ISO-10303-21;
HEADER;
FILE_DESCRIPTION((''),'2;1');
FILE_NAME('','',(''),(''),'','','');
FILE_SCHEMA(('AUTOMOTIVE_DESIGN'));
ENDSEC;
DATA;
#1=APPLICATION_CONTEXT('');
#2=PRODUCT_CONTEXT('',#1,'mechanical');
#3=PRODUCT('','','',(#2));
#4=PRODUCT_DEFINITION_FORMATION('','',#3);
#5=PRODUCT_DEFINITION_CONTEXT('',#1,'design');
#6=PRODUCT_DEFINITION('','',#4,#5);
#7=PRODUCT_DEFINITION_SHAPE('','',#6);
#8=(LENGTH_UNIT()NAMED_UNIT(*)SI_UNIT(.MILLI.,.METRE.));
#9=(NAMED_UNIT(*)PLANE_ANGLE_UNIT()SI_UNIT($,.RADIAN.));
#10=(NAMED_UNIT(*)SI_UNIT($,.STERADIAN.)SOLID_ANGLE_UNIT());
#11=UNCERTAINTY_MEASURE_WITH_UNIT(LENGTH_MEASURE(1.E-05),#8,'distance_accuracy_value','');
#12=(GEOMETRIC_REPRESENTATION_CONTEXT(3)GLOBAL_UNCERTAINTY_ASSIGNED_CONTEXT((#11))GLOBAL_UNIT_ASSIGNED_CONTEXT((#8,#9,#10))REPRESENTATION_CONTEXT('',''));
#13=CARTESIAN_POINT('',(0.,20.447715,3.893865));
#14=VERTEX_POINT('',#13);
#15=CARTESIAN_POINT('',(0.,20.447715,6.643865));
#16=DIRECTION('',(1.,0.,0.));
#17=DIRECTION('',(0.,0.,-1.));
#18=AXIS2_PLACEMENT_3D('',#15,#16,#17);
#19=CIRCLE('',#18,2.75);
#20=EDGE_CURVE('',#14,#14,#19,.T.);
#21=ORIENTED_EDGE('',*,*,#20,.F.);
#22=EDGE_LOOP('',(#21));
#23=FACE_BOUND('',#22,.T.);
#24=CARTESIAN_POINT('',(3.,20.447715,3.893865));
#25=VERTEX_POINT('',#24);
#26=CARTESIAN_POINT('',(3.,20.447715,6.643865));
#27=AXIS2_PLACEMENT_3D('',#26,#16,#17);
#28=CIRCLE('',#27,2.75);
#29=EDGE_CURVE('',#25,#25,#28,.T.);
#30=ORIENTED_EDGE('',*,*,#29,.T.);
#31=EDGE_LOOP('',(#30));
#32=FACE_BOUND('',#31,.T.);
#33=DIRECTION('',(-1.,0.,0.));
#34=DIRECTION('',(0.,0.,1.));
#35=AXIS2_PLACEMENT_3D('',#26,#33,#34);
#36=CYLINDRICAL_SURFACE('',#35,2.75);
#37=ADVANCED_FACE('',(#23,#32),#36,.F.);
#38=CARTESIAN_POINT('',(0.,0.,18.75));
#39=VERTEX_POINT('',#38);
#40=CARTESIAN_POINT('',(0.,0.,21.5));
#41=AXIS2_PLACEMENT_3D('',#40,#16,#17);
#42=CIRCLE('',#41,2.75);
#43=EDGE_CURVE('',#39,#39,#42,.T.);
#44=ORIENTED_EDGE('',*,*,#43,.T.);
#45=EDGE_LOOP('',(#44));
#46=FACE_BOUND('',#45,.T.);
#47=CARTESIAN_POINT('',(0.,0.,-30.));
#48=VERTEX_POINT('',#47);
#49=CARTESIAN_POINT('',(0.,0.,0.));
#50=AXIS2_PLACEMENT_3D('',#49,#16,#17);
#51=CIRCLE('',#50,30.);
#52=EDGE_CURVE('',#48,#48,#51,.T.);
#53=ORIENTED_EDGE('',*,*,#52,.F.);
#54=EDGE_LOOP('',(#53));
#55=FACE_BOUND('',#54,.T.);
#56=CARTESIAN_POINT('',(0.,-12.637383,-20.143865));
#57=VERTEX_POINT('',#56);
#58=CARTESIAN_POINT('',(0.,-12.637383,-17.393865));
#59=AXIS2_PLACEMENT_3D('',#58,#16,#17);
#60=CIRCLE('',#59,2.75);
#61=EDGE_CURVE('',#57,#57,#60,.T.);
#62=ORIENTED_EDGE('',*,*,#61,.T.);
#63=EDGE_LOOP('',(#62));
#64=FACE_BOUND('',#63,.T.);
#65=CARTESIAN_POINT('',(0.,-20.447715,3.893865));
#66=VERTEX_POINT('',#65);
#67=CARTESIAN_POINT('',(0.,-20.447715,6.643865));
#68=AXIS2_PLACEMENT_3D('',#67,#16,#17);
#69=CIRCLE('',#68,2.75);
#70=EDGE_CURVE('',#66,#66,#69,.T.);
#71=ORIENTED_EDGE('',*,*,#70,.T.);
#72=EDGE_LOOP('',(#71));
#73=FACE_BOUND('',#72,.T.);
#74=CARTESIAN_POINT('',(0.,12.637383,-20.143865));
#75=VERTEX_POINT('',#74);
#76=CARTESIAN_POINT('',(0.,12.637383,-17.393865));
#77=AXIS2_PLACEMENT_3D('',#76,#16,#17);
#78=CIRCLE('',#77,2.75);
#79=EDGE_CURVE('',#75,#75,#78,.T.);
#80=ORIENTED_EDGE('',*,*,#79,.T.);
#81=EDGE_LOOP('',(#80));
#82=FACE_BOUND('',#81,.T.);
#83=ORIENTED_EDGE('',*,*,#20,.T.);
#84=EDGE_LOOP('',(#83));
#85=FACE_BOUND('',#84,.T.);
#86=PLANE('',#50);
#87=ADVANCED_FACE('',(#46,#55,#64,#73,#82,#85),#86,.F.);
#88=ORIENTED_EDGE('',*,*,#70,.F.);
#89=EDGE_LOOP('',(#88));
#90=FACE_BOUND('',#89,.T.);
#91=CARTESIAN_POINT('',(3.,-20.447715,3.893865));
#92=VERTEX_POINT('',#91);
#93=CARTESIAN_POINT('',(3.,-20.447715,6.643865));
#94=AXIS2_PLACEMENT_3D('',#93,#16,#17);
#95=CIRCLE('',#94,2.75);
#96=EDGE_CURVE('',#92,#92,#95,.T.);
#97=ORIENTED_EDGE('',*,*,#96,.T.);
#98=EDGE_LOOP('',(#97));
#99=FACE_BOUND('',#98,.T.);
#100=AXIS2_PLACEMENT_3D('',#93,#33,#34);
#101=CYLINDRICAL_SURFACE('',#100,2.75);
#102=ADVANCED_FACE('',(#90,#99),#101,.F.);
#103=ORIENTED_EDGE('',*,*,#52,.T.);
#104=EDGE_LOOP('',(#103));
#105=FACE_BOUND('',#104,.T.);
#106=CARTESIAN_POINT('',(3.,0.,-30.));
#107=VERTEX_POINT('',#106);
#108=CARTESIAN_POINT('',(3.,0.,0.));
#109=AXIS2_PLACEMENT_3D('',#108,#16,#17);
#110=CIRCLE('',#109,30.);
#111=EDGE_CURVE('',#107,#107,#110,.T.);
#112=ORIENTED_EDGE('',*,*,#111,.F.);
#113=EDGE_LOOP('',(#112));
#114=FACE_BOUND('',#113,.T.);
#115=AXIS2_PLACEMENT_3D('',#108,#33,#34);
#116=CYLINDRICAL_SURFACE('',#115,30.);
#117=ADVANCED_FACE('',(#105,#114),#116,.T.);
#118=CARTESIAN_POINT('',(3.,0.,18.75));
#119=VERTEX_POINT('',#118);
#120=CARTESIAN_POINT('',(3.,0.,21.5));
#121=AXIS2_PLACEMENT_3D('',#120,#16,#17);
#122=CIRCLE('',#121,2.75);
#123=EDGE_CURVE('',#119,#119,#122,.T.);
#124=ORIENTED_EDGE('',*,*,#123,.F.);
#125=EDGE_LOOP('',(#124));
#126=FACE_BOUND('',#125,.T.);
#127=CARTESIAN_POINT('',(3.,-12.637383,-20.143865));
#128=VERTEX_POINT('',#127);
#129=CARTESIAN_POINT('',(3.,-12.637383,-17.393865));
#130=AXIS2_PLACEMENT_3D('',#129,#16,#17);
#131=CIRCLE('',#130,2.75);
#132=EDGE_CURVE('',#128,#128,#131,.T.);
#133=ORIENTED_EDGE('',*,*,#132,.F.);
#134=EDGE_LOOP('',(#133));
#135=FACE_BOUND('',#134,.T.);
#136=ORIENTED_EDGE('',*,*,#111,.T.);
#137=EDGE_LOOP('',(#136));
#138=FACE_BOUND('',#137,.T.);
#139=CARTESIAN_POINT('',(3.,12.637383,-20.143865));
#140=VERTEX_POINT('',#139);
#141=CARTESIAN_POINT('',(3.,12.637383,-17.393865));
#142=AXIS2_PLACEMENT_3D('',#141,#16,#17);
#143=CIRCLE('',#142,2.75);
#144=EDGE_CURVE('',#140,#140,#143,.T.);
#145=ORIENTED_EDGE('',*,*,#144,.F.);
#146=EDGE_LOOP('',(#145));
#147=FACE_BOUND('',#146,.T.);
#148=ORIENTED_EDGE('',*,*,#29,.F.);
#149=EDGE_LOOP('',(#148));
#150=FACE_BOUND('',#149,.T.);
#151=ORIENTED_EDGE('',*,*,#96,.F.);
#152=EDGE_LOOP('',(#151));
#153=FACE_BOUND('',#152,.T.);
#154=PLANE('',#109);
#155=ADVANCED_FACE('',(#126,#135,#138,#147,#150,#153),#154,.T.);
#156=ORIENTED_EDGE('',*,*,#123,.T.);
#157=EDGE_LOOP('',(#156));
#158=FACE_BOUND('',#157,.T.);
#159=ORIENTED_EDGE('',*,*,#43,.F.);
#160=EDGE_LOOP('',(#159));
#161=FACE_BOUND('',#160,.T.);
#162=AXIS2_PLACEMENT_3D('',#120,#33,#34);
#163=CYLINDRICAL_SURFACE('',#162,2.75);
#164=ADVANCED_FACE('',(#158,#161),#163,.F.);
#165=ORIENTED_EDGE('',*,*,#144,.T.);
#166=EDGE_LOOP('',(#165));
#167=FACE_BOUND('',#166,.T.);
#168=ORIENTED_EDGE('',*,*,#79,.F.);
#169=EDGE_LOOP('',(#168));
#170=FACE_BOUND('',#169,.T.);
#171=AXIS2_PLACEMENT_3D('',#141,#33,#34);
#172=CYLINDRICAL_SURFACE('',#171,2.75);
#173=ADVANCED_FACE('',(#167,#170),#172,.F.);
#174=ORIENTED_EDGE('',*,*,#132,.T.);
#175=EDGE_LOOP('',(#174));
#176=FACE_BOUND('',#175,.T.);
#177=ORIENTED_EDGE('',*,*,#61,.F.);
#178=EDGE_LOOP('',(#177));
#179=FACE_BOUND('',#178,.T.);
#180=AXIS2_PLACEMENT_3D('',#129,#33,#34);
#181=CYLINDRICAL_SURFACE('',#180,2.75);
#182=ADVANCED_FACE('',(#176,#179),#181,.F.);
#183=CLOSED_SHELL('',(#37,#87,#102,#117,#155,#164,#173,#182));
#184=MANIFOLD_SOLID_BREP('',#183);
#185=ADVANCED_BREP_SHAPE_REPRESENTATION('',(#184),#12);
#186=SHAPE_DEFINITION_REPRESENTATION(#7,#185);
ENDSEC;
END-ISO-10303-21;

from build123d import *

# Parameters (mm, degrees)
SKETCH1_R           = 30
SKETCH1_R_2         = 2.75
BOSS_EXTRUDE1_DEPTH = 3


with BuildPart() as part:
    # Sketch1 → Boss-Extrude1 (new body)
    with BuildSketch(Plane.YZ):
        with Locations(Location((0, 0, 0), (0, 0, 270))):
            Circle(SKETCH1_R)
        with Locations(Location((0, 21.5, 0), (0, 0, 270))):
            Circle(SKETCH1_R_2, mode=Mode.SUBTRACT)
        with Locations(Location((20.4477151, 6.643865379, 0), (0, 0, 270))):
            Circle(SKETCH1_R_2, mode=Mode.SUBTRACT)
        with Locations(Location((12.637382924, -17.393865379, 0), (0, 0, 270))):
            Circle(SKETCH1_R_2, mode=Mode.SUBTRACT)
        with Locations(Location((-12.637382924, -17.393865379, 0), (0, 0, 270))):
            Circle(SKETCH1_R_2, mode=Mode.SUBTRACT)
        with Locations(Location((-20.4477151, 6.643865379, 0), (0, 0, 270))):
            Circle(SKETCH1_R_2, mode=Mode.SUBTRACT)
    extrude(amount=BOSS_EXTRUDE1_DEPTH)


solid = part.part
